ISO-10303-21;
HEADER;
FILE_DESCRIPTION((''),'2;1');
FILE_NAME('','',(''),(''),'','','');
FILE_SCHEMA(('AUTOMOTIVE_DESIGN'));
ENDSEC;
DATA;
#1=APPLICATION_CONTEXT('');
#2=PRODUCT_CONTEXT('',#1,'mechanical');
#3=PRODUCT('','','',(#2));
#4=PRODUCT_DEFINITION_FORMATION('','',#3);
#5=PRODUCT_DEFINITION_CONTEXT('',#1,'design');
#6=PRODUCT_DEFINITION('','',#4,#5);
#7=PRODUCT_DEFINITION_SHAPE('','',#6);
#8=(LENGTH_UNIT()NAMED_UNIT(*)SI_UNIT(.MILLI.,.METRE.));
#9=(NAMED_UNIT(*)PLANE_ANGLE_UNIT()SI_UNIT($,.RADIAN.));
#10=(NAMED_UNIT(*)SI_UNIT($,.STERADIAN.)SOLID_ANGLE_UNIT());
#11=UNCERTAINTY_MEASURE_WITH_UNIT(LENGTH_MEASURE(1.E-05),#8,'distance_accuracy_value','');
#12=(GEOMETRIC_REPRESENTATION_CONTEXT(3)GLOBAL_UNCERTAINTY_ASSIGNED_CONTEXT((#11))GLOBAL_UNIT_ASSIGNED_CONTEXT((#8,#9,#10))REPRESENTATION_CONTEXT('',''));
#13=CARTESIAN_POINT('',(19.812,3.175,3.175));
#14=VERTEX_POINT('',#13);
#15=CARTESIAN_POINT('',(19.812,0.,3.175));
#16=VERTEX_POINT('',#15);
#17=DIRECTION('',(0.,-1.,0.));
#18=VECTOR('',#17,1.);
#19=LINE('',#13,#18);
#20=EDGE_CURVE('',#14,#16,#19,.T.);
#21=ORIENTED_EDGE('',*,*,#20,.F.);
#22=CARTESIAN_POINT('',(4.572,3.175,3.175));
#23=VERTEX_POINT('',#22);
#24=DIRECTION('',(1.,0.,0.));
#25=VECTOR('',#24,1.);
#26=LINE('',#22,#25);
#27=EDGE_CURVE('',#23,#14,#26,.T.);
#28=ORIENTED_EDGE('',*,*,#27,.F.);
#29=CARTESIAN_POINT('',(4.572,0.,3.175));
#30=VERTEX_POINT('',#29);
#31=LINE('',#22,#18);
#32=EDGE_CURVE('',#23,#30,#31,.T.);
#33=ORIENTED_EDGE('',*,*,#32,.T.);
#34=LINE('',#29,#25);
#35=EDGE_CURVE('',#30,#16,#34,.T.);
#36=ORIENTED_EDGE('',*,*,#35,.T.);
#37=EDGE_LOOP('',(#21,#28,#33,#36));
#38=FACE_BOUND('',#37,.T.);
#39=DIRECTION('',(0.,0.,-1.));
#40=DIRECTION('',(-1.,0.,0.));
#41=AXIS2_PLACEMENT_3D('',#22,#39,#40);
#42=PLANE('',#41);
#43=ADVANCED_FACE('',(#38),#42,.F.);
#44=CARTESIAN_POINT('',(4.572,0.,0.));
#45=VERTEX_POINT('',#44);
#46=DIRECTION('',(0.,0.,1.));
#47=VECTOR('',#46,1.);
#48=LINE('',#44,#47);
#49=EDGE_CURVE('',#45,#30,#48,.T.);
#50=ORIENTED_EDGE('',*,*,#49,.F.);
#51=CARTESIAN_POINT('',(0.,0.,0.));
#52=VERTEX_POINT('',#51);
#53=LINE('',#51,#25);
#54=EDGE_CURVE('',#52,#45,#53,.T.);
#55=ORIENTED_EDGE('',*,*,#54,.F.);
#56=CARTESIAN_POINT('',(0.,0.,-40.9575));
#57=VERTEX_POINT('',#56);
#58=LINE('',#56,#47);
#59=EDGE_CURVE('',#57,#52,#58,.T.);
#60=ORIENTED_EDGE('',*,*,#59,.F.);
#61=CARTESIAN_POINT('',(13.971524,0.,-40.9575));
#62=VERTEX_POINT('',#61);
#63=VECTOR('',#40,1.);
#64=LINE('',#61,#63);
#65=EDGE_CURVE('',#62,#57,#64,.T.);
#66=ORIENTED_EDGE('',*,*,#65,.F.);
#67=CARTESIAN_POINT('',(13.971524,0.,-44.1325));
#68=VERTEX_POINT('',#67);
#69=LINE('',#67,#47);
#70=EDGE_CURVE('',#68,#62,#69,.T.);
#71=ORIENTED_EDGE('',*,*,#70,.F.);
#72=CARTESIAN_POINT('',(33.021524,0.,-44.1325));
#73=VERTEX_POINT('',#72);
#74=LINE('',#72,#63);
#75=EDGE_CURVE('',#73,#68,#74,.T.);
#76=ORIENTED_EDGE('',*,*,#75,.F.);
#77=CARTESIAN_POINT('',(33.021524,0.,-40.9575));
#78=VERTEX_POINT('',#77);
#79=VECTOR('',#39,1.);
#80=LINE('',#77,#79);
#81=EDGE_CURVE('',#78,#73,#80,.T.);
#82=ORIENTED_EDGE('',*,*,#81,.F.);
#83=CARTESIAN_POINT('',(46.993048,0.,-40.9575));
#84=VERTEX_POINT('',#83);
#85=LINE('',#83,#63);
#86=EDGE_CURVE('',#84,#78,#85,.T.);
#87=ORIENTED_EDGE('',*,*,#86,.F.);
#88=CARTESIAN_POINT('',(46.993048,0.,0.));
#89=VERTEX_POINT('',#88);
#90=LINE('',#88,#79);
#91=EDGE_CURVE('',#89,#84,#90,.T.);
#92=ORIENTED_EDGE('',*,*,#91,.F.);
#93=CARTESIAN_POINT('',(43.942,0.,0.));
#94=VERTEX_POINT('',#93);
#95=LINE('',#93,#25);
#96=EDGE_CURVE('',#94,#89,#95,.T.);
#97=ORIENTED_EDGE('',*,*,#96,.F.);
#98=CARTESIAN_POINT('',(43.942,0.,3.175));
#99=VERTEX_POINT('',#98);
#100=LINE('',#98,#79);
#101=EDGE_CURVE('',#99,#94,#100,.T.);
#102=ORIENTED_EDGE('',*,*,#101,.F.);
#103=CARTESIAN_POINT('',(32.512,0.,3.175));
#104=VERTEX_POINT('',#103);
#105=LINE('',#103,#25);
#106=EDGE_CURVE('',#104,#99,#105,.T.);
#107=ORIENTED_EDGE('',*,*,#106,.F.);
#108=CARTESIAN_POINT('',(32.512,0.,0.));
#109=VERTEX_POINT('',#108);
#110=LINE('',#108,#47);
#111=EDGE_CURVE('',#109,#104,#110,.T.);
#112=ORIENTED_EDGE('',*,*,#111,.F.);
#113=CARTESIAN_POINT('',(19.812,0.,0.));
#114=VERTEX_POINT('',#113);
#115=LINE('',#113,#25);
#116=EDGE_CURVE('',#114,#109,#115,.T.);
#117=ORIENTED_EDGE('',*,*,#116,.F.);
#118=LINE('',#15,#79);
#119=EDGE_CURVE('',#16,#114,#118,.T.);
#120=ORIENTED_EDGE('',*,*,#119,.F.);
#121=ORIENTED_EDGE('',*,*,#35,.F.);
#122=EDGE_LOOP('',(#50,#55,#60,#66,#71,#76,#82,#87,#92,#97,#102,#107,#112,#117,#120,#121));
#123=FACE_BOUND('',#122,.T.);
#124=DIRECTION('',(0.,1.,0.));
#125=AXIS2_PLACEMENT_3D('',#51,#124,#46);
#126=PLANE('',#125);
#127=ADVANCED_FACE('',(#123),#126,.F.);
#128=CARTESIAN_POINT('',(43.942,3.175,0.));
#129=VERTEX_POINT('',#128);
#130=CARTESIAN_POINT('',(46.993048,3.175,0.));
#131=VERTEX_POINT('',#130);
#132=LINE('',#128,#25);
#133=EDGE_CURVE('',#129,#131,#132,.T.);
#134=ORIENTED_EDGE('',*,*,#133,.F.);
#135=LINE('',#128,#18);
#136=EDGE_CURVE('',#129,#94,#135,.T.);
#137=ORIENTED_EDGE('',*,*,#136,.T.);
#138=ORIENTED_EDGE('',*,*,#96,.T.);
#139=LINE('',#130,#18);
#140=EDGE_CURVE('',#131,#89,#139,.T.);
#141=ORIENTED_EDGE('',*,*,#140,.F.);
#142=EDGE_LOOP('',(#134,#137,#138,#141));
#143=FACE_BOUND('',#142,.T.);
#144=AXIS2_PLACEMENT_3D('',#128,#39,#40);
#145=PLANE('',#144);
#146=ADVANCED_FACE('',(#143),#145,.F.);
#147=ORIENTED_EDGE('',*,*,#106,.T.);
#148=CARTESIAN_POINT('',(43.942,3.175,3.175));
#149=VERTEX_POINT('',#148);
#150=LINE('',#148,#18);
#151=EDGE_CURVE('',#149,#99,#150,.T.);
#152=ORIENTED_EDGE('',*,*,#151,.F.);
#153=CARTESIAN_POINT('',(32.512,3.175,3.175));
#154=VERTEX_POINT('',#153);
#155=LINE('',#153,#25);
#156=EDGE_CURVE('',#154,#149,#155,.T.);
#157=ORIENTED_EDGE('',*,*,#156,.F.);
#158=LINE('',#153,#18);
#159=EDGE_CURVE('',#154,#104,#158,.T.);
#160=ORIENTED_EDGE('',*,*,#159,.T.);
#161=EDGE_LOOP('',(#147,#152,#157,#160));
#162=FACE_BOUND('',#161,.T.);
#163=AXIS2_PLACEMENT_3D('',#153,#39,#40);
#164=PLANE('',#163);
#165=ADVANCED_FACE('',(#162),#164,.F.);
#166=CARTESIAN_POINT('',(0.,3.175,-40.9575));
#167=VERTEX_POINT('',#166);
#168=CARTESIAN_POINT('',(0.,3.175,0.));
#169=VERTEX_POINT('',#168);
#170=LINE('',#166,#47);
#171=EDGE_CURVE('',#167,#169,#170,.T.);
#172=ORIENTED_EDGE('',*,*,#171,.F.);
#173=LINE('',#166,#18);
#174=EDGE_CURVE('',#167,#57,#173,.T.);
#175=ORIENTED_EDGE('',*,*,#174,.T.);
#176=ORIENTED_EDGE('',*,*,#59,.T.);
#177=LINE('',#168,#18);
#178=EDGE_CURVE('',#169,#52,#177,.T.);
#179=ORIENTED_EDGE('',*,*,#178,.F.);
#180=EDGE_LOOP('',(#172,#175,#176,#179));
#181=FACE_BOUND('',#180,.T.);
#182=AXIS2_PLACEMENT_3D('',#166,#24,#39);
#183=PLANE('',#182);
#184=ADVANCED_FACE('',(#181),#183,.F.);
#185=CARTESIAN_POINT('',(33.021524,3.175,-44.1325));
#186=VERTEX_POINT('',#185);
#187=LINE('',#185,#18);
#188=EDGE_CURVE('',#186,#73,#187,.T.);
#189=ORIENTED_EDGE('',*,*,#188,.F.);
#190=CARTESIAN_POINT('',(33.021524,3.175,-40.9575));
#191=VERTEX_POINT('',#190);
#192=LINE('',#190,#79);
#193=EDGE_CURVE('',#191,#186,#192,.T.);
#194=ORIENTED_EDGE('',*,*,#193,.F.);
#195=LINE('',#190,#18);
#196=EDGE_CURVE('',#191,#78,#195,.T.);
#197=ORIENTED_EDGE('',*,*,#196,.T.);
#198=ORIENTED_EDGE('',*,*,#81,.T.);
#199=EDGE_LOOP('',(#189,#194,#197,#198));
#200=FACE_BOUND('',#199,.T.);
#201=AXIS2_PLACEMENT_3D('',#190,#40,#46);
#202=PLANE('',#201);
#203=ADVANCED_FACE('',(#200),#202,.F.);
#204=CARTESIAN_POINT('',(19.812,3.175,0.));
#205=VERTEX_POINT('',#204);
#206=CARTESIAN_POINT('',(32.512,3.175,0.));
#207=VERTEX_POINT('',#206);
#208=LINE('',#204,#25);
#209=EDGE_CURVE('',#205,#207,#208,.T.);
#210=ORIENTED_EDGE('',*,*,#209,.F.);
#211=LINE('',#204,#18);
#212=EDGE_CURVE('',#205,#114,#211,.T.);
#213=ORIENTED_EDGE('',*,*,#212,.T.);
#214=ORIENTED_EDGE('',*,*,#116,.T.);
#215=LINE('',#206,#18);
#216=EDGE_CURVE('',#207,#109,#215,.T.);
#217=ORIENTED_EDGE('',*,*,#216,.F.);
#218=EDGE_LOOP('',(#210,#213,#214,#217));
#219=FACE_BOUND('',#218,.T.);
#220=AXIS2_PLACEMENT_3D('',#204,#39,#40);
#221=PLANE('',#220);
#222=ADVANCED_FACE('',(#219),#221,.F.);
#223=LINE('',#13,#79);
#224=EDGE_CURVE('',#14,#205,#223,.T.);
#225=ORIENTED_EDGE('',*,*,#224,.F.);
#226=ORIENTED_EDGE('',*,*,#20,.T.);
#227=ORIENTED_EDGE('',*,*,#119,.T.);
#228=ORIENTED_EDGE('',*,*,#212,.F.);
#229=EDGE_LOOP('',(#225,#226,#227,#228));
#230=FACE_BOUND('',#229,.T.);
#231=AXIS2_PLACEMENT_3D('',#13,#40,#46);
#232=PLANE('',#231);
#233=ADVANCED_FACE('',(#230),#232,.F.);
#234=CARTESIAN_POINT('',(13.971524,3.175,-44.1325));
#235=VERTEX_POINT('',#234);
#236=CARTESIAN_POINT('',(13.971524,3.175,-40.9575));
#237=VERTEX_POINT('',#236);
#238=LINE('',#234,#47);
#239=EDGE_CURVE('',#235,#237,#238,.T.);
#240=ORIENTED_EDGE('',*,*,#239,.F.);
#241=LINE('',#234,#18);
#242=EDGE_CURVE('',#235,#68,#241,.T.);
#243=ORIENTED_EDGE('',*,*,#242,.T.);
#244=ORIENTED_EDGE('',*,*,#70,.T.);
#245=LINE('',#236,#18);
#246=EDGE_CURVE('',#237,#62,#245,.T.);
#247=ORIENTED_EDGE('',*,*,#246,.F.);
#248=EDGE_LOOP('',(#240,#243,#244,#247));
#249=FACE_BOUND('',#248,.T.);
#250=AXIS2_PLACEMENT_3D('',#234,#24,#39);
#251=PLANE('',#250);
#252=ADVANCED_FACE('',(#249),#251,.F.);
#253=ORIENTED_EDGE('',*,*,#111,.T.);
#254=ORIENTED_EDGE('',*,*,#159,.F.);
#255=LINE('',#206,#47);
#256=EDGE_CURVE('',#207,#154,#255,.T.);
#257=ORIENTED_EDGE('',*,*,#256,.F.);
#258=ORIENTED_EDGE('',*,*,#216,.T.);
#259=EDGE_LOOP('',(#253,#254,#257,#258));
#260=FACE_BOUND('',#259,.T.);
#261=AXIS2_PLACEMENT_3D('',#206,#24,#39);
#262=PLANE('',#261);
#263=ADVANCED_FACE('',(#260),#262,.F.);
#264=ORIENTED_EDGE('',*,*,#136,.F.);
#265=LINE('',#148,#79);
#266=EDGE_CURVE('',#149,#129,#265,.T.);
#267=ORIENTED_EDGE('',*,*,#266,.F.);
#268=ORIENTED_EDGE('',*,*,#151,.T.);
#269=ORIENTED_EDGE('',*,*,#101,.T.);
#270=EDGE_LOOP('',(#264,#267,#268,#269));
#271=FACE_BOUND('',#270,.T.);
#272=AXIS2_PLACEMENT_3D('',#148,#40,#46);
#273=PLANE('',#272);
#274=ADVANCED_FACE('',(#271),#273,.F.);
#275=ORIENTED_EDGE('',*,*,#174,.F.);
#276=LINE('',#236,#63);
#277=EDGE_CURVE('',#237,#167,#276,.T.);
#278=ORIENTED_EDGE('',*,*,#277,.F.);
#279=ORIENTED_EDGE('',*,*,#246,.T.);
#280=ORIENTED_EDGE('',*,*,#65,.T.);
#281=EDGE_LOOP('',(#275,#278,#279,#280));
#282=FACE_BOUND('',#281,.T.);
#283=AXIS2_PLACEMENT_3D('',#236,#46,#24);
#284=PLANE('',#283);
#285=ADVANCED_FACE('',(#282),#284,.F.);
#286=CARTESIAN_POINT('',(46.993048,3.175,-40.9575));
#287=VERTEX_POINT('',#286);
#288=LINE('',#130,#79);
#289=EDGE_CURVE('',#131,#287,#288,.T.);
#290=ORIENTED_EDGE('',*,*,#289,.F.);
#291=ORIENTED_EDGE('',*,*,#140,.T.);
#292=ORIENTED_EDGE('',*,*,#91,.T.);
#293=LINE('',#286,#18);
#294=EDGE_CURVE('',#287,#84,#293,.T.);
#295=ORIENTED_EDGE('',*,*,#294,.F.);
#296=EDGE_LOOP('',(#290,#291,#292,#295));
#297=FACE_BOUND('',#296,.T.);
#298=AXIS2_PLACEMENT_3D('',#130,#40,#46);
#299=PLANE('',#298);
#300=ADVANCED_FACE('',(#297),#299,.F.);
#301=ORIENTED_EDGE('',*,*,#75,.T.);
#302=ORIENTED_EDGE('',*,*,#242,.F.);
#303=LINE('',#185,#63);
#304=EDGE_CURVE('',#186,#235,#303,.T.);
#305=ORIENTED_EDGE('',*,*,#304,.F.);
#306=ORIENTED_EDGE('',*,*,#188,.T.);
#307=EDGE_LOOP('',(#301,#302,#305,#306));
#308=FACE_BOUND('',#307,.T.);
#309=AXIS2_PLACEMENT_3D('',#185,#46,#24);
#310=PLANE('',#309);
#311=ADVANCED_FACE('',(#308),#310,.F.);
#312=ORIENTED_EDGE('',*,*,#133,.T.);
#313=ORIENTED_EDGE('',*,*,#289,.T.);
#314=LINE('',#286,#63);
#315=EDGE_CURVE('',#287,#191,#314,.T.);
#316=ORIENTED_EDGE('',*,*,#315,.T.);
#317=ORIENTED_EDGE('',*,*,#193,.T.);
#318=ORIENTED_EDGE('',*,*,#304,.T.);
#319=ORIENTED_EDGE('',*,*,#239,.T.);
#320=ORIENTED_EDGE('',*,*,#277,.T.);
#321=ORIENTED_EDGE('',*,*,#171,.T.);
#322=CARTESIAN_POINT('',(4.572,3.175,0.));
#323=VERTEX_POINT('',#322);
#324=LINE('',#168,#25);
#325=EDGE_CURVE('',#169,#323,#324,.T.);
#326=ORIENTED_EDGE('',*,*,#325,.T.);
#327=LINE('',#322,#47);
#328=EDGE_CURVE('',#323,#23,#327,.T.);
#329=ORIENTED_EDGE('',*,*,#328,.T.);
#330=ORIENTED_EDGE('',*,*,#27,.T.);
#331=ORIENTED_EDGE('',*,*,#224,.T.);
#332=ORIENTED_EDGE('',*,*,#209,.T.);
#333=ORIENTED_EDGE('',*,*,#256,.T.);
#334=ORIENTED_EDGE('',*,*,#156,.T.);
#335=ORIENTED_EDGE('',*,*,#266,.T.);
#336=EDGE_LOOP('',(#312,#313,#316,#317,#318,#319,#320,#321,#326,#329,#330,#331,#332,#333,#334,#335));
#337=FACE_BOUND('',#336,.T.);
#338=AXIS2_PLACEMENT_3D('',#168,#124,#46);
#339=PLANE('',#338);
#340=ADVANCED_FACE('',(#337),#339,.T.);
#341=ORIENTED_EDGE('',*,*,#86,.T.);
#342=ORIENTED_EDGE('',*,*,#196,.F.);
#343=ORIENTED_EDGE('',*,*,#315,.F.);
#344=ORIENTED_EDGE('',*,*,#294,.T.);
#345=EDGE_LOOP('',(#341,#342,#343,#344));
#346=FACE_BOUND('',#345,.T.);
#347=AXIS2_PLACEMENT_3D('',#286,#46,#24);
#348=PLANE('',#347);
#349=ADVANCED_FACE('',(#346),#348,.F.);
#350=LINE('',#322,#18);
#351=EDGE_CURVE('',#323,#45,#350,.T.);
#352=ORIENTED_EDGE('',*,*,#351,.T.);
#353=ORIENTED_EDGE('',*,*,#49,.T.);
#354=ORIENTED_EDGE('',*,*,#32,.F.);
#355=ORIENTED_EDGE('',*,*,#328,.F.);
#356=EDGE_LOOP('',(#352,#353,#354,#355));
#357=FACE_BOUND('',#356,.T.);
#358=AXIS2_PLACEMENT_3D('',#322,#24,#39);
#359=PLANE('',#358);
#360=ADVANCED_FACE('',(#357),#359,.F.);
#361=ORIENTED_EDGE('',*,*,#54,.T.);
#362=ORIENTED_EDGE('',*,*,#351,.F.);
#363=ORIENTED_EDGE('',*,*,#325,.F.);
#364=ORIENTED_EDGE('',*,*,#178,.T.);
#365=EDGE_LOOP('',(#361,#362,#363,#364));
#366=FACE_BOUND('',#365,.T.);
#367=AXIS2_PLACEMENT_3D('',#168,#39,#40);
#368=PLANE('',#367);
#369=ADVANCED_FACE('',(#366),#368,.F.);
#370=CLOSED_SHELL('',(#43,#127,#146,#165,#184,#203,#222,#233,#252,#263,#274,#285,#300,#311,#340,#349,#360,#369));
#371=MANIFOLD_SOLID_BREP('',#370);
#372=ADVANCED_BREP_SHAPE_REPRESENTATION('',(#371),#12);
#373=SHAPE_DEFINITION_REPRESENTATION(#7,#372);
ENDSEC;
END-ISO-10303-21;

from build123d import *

# Parameters (mm, degrees)
BOSS_EXTRUDE1_DEPTH = 3.175


with BuildPart() as part:
    # Sketch2 → Boss-Extrude1 (new body)
    with BuildSketch(Plane(origin=(0, 0, 0), x_dir=(1, 0, 0), z_dir=(0, 1, 0))):
        Polygon((0, 0), (4.572, 0), (4.572, -3.175), (19.812, -3.175), (19.812, 0), (32.512, 0), (32.512, -3.175), (43.942, -3.175), (43.942, 0), (46.993048, 0), (46.993048, 40.9575), (33.021524, 40.9575), (33.021524, 44.1325), (13.971524, 44.1325), (13.971524, 40.9575), (0, 40.9575), align=None)
    extrude(amount=BOSS_EXTRUDE1_DEPTH)


solid = part.part
